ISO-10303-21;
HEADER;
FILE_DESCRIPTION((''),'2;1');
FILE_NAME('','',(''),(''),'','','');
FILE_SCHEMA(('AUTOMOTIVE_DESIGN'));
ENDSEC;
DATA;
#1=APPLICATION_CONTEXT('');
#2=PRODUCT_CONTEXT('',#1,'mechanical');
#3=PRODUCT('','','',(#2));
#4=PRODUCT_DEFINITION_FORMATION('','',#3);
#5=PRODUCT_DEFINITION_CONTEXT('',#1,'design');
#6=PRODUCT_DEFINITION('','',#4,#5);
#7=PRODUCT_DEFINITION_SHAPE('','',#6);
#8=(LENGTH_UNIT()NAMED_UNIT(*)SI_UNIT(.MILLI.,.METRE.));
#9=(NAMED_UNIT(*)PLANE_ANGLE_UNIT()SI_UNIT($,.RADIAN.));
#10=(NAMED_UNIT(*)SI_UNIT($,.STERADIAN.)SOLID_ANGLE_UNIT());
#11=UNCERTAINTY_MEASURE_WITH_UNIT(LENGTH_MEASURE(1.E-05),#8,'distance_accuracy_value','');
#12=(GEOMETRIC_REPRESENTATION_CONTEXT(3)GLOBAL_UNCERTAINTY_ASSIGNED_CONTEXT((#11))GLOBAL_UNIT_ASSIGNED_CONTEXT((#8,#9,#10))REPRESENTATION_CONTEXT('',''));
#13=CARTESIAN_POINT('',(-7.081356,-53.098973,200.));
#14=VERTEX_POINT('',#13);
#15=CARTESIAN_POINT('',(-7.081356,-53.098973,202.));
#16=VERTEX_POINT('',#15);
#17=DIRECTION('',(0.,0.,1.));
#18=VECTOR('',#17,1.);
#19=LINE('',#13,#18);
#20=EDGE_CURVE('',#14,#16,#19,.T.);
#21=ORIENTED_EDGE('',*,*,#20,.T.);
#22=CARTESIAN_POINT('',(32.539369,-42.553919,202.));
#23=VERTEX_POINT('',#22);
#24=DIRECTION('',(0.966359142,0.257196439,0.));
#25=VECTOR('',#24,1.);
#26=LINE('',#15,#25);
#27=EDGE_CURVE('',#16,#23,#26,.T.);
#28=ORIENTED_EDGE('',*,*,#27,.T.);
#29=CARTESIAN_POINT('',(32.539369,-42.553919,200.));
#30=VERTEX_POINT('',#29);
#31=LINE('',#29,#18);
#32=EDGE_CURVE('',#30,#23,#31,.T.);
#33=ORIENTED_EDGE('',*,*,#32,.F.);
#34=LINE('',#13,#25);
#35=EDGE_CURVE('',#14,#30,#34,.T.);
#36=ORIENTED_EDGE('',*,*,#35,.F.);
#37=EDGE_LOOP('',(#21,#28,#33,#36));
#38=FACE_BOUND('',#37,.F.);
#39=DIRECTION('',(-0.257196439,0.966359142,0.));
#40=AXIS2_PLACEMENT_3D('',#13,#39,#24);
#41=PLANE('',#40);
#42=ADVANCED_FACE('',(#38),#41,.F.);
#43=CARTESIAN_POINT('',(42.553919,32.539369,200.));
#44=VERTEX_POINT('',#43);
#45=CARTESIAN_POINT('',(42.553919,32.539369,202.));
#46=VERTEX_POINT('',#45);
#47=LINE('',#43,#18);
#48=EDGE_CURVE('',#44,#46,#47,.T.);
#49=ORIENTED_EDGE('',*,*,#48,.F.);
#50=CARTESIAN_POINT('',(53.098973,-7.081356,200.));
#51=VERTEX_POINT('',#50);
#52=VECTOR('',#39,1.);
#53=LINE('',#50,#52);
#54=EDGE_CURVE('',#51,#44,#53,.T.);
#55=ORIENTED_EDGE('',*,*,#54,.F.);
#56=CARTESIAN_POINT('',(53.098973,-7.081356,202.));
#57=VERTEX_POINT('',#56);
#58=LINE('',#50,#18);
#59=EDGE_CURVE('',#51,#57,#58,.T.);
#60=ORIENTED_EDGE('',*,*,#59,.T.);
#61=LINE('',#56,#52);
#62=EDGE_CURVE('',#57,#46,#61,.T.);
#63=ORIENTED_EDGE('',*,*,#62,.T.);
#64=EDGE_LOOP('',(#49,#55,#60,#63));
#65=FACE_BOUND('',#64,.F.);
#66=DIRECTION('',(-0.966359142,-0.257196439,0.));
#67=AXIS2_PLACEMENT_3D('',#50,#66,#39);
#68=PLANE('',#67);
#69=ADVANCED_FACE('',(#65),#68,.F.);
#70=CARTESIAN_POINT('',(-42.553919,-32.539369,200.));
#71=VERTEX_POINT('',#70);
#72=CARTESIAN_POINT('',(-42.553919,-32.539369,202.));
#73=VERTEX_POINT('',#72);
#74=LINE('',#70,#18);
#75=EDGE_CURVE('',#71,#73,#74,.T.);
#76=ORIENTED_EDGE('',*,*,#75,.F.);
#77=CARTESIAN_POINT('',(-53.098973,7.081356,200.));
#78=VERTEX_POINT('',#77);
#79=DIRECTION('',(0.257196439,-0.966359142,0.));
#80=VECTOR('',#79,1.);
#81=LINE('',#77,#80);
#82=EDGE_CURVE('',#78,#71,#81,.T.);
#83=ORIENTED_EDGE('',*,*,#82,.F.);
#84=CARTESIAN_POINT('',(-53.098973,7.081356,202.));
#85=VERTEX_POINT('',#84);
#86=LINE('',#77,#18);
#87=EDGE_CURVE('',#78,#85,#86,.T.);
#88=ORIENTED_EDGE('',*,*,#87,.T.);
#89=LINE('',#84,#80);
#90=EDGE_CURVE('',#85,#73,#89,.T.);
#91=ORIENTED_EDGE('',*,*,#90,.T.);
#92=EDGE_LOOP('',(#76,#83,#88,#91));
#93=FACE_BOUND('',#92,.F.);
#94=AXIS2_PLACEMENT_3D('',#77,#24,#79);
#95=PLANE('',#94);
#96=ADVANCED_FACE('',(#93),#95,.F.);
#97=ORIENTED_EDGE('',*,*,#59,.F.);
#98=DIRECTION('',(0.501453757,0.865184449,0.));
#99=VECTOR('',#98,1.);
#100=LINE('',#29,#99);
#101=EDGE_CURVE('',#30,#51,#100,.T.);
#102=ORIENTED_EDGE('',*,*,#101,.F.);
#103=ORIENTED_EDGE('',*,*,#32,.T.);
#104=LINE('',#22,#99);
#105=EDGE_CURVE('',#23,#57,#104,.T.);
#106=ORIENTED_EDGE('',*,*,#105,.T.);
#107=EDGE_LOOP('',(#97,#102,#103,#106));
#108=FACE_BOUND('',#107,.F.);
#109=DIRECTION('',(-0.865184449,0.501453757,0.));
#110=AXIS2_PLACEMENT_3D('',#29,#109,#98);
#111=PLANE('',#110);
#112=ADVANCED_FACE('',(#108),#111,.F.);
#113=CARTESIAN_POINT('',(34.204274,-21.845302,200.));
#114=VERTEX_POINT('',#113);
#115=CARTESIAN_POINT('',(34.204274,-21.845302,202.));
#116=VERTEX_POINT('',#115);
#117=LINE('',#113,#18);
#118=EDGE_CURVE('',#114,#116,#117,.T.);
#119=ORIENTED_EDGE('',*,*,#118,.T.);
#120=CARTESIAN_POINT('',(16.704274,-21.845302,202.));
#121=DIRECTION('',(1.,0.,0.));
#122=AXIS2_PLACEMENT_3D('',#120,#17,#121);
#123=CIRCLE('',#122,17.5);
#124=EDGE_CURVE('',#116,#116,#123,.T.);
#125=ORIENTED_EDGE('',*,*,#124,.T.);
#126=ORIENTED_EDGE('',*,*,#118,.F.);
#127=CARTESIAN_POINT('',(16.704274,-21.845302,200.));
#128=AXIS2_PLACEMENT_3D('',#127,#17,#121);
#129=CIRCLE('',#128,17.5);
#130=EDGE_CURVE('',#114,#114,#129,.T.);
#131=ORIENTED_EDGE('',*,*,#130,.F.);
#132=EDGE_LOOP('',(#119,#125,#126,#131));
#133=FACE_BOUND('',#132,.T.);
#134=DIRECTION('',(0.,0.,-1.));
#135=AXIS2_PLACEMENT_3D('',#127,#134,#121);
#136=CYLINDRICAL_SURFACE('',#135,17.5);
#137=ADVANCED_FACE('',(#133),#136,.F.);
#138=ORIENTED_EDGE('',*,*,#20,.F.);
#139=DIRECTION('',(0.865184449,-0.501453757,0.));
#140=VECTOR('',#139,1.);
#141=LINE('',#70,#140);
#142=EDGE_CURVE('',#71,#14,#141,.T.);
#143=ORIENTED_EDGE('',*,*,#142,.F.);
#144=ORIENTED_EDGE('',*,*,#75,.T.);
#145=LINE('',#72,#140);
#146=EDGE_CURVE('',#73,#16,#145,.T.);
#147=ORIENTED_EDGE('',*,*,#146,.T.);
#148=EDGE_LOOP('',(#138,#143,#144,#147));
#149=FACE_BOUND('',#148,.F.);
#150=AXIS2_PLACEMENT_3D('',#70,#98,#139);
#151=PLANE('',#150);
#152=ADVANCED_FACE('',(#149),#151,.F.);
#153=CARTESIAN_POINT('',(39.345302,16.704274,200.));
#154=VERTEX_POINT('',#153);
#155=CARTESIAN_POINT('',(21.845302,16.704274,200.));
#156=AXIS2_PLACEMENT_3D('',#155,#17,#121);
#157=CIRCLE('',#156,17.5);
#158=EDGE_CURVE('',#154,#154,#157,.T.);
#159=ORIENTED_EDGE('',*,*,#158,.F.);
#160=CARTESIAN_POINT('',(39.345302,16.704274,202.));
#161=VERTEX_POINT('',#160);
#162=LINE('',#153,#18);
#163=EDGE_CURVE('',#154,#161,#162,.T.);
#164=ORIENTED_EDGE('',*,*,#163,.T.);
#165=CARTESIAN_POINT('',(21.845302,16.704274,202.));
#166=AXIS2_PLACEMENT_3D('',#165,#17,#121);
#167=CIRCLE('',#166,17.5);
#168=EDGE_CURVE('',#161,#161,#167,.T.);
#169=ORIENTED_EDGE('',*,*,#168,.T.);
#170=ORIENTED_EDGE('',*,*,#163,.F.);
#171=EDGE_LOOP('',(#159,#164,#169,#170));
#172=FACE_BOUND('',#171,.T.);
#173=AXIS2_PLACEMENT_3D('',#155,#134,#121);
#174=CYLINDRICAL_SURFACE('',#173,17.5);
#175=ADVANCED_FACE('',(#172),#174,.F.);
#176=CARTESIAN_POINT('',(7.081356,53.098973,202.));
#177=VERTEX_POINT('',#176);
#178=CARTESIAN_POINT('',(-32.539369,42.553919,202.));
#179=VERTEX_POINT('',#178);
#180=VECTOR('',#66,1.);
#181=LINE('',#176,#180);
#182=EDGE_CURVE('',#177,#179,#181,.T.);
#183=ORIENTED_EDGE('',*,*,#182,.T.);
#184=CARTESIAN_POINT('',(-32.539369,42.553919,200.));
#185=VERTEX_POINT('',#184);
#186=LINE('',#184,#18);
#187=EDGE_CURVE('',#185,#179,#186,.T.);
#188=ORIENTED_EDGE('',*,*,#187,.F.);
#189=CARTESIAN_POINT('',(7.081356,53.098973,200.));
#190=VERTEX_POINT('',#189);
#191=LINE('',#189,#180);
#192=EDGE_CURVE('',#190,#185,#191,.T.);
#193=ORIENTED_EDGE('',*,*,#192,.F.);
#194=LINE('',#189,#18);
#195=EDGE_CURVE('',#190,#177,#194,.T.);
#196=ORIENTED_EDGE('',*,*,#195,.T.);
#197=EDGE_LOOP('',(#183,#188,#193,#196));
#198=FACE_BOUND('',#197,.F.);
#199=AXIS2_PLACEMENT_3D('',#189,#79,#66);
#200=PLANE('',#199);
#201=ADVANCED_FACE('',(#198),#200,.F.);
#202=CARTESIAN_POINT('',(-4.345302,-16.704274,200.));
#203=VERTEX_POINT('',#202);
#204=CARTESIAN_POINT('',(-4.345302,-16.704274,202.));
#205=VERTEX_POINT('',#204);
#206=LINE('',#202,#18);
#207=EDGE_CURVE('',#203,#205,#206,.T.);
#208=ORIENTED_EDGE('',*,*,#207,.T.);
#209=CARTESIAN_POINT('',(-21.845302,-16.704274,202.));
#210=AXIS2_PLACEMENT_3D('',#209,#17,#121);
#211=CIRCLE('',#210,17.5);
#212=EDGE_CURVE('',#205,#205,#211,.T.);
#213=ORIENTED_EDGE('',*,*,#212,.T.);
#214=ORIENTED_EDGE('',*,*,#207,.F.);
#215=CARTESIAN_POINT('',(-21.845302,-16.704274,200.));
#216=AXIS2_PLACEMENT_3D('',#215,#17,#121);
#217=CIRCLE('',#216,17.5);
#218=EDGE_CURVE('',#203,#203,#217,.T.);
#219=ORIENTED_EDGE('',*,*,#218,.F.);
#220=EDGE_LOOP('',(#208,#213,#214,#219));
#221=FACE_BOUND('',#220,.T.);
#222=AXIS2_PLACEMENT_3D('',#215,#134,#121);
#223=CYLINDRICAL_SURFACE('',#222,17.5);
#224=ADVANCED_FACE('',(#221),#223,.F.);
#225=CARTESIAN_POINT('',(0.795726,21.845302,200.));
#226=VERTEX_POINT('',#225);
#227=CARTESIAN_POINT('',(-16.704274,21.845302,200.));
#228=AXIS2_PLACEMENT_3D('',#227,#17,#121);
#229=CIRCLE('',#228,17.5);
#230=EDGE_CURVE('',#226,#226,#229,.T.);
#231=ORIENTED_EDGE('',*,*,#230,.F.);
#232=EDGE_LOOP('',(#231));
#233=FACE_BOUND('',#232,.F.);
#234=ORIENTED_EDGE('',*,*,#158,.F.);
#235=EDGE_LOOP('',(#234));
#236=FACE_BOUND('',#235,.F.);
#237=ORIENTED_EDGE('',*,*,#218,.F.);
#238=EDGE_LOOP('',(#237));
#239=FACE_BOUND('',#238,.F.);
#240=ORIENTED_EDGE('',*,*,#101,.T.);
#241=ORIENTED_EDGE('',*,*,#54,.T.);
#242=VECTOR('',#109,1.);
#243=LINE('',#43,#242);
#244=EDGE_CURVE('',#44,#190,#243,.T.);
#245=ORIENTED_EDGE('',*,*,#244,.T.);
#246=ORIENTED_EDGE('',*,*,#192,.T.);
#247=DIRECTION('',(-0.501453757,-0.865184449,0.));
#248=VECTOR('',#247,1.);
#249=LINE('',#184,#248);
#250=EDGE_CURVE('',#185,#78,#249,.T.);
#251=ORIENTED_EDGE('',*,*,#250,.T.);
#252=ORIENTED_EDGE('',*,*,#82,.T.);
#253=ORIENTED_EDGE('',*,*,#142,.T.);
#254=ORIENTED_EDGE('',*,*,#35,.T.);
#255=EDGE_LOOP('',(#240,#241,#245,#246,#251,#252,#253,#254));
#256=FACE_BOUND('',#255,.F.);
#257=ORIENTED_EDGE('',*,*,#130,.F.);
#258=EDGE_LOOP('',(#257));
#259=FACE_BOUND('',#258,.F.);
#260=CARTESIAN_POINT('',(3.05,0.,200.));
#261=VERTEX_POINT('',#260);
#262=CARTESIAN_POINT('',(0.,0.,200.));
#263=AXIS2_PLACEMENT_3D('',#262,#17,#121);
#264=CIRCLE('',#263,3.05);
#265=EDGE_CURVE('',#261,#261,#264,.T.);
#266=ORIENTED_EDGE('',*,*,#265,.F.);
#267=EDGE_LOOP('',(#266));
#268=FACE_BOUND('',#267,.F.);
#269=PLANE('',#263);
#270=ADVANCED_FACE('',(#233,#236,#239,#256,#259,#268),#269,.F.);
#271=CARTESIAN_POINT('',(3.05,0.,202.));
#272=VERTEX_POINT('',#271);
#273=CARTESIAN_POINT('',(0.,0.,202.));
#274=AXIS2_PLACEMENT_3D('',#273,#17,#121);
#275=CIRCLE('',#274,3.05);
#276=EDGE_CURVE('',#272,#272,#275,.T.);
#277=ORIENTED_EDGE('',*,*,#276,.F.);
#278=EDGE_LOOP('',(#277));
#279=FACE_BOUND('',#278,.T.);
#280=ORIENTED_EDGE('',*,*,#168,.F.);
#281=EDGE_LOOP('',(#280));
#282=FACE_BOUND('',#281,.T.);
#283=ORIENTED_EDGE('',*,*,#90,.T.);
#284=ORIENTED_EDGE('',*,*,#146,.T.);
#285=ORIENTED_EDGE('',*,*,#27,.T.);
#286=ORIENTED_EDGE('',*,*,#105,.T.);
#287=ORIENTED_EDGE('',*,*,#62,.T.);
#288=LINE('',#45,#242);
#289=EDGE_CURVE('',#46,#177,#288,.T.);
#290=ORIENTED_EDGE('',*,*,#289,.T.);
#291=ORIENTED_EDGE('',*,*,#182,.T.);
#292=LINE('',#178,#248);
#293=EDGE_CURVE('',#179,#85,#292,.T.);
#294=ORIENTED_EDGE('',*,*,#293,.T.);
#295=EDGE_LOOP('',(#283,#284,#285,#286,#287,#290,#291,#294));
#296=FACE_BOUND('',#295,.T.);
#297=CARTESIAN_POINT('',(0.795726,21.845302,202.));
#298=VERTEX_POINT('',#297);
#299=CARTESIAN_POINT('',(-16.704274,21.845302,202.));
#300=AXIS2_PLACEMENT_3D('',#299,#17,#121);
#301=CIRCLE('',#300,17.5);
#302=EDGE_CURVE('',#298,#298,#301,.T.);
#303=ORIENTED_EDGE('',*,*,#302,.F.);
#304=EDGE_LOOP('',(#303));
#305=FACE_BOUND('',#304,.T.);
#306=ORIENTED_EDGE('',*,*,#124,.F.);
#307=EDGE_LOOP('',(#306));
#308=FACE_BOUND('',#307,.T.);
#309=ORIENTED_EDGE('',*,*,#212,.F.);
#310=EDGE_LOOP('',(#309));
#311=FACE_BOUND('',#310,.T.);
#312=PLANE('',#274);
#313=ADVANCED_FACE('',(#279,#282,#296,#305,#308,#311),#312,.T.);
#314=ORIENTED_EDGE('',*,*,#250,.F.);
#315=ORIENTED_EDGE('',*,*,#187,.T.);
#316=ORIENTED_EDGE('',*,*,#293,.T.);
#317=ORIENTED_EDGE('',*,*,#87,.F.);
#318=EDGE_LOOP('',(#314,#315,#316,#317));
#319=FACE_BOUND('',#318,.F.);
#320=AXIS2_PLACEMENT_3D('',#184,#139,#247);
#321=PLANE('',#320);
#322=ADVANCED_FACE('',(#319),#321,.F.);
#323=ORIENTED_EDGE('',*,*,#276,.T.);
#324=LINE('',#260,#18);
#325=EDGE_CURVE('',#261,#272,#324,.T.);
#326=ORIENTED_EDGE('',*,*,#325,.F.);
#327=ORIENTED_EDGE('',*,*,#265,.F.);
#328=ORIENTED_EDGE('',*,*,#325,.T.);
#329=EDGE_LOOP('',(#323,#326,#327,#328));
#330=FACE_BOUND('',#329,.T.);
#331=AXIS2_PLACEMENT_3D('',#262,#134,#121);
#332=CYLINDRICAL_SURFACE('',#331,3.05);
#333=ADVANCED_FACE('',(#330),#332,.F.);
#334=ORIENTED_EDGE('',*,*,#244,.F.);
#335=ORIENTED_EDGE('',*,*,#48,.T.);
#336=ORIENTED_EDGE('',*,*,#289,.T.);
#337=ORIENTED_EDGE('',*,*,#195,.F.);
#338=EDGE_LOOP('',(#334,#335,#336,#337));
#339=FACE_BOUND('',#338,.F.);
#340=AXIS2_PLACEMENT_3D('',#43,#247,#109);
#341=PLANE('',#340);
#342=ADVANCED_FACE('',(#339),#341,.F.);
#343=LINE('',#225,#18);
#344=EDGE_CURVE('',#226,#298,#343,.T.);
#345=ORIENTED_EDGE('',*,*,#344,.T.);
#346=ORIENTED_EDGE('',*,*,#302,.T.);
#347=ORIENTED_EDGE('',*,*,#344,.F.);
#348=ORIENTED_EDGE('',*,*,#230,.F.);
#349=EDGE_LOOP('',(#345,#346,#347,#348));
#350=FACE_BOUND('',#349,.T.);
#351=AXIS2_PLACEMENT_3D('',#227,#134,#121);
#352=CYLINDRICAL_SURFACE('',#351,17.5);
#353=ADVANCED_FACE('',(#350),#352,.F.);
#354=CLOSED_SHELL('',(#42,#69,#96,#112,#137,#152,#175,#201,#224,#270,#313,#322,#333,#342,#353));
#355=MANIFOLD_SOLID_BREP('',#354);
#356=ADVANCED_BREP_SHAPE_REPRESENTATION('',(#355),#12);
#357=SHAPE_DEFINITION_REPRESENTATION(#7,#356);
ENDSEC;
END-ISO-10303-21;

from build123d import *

# Parameters (mm, degrees)
F1_R     = 47.095
F1_R_2   = 17.5
F1_R_3   = 3.05
F2_DEPTH = 2


with BuildPart() as f2:
    # F1 (on offset) → F2 (new body)
    with BuildSketch(Plane.XY.offset(200)):
        Polygon((-32.5393686004, 42.5539186241), (-53.098972618, 7.0813562323), (-42.5539186241, -32.5393686004), (-7.0813562323, -53.098972618), (32.5393686004, -42.5539186241), (53.098972618, -7.0813562323), (42.5539186241, 32.5393686004), (7.0813562323, 53.098972618), align=None)
        Circle(F1_R, mode=Mode.SUBTRACT)
        Circle(F1_R)
        with Locations((-21.8453019556, -16.7042743772)):
            Circle(F1_R_2, mode=Mode.SUBTRACT)
        with Locations((16.7042743772, -21.8453019556)):
            Circle(F1_R_2, mode=Mode.SUBTRACT)
        with Locations((-16.7042743772, 21.8453019556)):
            Circle(F1_R_2, mode=Mode.SUBTRACT)
        Circle(F1_R_3, mode=Mode.SUBTRACT)
        with Locations((21.8453019556, 16.7042743772)):
            Circle(F1_R_2, mode=Mode.SUBTRACT)
    extrude(amount=F2_DEPTH)


solid = f2.part
